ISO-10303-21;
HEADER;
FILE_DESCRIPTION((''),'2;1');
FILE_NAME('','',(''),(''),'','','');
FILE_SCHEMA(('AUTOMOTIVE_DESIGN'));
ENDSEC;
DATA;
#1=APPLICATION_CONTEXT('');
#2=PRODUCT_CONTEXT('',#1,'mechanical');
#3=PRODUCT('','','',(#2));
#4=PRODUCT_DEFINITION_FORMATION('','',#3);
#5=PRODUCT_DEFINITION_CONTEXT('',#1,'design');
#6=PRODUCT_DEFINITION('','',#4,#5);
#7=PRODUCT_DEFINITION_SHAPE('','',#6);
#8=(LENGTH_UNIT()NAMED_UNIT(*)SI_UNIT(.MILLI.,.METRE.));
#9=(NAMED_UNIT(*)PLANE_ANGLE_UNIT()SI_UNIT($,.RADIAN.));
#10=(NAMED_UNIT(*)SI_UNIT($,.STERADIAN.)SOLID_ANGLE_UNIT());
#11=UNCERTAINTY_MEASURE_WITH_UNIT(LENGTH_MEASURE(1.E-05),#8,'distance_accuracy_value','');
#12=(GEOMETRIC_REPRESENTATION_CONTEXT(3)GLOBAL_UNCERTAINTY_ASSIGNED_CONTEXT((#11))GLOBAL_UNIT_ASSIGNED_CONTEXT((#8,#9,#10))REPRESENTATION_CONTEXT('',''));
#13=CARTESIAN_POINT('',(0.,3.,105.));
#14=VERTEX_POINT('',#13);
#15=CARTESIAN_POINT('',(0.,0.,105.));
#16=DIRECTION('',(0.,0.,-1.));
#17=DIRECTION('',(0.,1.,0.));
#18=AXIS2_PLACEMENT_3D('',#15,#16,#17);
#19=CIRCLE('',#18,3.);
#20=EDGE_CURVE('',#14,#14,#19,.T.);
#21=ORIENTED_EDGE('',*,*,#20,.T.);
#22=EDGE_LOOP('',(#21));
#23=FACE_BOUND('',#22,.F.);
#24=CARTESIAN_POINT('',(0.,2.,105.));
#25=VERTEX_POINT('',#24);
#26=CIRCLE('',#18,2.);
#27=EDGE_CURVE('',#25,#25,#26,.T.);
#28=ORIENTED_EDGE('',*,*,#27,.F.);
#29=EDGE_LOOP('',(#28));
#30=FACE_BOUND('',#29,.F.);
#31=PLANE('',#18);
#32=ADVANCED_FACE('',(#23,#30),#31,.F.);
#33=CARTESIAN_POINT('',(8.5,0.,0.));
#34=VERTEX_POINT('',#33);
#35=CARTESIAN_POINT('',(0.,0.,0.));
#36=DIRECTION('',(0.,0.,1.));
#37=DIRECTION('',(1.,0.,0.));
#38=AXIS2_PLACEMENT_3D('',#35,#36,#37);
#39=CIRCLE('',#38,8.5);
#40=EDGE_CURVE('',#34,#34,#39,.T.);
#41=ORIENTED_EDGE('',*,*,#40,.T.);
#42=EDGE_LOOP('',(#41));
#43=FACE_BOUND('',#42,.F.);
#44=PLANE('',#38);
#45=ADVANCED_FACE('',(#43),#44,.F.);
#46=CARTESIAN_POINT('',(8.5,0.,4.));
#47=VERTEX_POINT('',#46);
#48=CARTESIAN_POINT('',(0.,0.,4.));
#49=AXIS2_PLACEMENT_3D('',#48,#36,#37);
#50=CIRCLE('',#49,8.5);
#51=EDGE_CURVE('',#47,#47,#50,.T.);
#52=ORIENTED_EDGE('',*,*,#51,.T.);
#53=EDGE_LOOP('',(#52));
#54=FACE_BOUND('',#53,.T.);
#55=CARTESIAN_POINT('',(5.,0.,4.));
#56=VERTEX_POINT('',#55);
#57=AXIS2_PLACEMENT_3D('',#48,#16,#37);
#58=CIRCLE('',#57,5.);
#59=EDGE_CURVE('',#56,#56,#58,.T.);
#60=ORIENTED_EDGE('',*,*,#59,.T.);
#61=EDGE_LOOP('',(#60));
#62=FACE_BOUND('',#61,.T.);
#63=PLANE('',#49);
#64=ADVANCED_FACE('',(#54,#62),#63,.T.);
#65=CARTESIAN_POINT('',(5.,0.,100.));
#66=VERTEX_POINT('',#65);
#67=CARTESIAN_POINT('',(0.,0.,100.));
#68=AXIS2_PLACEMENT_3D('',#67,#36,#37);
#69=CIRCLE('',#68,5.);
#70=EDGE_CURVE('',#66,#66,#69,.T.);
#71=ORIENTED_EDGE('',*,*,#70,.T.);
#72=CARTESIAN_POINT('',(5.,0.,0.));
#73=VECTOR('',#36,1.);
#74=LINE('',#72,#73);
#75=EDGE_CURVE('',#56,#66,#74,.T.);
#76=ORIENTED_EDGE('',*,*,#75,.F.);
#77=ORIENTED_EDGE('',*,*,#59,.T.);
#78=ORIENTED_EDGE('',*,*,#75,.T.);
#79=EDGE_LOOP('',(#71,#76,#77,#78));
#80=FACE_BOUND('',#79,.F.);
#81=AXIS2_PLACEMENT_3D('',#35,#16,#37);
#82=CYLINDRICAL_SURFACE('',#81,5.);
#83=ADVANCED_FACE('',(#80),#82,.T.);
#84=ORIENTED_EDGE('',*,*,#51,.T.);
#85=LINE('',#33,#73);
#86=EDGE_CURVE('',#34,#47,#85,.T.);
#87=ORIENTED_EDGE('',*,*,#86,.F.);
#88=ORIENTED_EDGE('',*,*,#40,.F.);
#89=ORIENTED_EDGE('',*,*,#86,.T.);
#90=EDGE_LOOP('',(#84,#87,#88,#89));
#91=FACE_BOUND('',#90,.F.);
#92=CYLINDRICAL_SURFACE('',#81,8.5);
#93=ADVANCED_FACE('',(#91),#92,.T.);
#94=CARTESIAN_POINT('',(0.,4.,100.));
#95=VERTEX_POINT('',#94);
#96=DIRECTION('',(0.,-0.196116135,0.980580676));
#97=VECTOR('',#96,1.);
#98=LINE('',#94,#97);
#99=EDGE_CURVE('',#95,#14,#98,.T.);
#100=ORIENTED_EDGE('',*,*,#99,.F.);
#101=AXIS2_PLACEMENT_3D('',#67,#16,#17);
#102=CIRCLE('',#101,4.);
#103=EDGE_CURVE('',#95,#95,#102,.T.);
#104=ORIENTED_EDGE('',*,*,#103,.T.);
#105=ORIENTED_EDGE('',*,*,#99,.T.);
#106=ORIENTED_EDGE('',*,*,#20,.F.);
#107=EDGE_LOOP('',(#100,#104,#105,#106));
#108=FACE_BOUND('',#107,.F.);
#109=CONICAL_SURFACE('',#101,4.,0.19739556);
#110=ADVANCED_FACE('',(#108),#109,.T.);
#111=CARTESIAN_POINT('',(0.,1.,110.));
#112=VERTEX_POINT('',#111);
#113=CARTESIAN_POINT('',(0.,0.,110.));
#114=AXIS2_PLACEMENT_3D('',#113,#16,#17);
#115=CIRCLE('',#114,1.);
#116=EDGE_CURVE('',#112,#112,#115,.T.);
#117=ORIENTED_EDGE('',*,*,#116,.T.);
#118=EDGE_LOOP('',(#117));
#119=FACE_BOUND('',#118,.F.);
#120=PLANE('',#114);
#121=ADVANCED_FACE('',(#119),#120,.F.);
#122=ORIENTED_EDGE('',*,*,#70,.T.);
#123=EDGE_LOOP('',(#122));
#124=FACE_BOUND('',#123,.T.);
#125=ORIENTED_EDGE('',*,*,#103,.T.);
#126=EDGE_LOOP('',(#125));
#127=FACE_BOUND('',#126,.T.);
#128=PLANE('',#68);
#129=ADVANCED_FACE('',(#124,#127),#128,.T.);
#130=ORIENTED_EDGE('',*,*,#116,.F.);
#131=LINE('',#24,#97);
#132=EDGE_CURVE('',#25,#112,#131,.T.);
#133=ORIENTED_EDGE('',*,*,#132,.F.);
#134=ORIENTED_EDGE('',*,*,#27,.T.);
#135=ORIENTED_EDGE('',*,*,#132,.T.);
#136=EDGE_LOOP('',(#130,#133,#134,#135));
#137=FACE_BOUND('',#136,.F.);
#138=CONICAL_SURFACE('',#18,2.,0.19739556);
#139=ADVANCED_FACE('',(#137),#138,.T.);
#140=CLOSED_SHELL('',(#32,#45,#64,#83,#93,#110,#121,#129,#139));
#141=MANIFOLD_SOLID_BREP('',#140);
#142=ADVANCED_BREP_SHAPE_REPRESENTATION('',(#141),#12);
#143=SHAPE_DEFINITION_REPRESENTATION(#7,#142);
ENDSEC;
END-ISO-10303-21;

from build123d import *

# Parameters (mm, degrees)
F0_R     = 8.5
F1_DEPTH = 4
F2_R     = 5
F3_DEPTH = 100


with BuildPart() as f1:
    # F0 (on Top) → F1 (new body)
    with BuildSketch(Plane.XY):
        Circle(F0_R)
    extrude(amount=F1_DEPTH)

    # F2 (on Top) → F3 (join)
    with BuildSketch(Plane.XY):
        Circle(F2_R)
    extrude(amount=F3_DEPTH)

    # F4 (on Right) → F5 (revolve)
    with BuildSketch(Plane.YZ):
        Polygon((3, 105), (0, 105), (0, 100), (4, 100), align=None)
    revolve(axis=Axis((0, 0, 102.5), (0, 0, -1)))

    # F6 (on Right) → F7 (revolve)
    with BuildSketch(Plane.YZ):
        Polygon((1, 110), (0, 110), (0, 105), (2, 105), align=None)
    revolve(axis=Axis((0, 0, 107.5), (0, 0, -1)))


solid = f1.part
